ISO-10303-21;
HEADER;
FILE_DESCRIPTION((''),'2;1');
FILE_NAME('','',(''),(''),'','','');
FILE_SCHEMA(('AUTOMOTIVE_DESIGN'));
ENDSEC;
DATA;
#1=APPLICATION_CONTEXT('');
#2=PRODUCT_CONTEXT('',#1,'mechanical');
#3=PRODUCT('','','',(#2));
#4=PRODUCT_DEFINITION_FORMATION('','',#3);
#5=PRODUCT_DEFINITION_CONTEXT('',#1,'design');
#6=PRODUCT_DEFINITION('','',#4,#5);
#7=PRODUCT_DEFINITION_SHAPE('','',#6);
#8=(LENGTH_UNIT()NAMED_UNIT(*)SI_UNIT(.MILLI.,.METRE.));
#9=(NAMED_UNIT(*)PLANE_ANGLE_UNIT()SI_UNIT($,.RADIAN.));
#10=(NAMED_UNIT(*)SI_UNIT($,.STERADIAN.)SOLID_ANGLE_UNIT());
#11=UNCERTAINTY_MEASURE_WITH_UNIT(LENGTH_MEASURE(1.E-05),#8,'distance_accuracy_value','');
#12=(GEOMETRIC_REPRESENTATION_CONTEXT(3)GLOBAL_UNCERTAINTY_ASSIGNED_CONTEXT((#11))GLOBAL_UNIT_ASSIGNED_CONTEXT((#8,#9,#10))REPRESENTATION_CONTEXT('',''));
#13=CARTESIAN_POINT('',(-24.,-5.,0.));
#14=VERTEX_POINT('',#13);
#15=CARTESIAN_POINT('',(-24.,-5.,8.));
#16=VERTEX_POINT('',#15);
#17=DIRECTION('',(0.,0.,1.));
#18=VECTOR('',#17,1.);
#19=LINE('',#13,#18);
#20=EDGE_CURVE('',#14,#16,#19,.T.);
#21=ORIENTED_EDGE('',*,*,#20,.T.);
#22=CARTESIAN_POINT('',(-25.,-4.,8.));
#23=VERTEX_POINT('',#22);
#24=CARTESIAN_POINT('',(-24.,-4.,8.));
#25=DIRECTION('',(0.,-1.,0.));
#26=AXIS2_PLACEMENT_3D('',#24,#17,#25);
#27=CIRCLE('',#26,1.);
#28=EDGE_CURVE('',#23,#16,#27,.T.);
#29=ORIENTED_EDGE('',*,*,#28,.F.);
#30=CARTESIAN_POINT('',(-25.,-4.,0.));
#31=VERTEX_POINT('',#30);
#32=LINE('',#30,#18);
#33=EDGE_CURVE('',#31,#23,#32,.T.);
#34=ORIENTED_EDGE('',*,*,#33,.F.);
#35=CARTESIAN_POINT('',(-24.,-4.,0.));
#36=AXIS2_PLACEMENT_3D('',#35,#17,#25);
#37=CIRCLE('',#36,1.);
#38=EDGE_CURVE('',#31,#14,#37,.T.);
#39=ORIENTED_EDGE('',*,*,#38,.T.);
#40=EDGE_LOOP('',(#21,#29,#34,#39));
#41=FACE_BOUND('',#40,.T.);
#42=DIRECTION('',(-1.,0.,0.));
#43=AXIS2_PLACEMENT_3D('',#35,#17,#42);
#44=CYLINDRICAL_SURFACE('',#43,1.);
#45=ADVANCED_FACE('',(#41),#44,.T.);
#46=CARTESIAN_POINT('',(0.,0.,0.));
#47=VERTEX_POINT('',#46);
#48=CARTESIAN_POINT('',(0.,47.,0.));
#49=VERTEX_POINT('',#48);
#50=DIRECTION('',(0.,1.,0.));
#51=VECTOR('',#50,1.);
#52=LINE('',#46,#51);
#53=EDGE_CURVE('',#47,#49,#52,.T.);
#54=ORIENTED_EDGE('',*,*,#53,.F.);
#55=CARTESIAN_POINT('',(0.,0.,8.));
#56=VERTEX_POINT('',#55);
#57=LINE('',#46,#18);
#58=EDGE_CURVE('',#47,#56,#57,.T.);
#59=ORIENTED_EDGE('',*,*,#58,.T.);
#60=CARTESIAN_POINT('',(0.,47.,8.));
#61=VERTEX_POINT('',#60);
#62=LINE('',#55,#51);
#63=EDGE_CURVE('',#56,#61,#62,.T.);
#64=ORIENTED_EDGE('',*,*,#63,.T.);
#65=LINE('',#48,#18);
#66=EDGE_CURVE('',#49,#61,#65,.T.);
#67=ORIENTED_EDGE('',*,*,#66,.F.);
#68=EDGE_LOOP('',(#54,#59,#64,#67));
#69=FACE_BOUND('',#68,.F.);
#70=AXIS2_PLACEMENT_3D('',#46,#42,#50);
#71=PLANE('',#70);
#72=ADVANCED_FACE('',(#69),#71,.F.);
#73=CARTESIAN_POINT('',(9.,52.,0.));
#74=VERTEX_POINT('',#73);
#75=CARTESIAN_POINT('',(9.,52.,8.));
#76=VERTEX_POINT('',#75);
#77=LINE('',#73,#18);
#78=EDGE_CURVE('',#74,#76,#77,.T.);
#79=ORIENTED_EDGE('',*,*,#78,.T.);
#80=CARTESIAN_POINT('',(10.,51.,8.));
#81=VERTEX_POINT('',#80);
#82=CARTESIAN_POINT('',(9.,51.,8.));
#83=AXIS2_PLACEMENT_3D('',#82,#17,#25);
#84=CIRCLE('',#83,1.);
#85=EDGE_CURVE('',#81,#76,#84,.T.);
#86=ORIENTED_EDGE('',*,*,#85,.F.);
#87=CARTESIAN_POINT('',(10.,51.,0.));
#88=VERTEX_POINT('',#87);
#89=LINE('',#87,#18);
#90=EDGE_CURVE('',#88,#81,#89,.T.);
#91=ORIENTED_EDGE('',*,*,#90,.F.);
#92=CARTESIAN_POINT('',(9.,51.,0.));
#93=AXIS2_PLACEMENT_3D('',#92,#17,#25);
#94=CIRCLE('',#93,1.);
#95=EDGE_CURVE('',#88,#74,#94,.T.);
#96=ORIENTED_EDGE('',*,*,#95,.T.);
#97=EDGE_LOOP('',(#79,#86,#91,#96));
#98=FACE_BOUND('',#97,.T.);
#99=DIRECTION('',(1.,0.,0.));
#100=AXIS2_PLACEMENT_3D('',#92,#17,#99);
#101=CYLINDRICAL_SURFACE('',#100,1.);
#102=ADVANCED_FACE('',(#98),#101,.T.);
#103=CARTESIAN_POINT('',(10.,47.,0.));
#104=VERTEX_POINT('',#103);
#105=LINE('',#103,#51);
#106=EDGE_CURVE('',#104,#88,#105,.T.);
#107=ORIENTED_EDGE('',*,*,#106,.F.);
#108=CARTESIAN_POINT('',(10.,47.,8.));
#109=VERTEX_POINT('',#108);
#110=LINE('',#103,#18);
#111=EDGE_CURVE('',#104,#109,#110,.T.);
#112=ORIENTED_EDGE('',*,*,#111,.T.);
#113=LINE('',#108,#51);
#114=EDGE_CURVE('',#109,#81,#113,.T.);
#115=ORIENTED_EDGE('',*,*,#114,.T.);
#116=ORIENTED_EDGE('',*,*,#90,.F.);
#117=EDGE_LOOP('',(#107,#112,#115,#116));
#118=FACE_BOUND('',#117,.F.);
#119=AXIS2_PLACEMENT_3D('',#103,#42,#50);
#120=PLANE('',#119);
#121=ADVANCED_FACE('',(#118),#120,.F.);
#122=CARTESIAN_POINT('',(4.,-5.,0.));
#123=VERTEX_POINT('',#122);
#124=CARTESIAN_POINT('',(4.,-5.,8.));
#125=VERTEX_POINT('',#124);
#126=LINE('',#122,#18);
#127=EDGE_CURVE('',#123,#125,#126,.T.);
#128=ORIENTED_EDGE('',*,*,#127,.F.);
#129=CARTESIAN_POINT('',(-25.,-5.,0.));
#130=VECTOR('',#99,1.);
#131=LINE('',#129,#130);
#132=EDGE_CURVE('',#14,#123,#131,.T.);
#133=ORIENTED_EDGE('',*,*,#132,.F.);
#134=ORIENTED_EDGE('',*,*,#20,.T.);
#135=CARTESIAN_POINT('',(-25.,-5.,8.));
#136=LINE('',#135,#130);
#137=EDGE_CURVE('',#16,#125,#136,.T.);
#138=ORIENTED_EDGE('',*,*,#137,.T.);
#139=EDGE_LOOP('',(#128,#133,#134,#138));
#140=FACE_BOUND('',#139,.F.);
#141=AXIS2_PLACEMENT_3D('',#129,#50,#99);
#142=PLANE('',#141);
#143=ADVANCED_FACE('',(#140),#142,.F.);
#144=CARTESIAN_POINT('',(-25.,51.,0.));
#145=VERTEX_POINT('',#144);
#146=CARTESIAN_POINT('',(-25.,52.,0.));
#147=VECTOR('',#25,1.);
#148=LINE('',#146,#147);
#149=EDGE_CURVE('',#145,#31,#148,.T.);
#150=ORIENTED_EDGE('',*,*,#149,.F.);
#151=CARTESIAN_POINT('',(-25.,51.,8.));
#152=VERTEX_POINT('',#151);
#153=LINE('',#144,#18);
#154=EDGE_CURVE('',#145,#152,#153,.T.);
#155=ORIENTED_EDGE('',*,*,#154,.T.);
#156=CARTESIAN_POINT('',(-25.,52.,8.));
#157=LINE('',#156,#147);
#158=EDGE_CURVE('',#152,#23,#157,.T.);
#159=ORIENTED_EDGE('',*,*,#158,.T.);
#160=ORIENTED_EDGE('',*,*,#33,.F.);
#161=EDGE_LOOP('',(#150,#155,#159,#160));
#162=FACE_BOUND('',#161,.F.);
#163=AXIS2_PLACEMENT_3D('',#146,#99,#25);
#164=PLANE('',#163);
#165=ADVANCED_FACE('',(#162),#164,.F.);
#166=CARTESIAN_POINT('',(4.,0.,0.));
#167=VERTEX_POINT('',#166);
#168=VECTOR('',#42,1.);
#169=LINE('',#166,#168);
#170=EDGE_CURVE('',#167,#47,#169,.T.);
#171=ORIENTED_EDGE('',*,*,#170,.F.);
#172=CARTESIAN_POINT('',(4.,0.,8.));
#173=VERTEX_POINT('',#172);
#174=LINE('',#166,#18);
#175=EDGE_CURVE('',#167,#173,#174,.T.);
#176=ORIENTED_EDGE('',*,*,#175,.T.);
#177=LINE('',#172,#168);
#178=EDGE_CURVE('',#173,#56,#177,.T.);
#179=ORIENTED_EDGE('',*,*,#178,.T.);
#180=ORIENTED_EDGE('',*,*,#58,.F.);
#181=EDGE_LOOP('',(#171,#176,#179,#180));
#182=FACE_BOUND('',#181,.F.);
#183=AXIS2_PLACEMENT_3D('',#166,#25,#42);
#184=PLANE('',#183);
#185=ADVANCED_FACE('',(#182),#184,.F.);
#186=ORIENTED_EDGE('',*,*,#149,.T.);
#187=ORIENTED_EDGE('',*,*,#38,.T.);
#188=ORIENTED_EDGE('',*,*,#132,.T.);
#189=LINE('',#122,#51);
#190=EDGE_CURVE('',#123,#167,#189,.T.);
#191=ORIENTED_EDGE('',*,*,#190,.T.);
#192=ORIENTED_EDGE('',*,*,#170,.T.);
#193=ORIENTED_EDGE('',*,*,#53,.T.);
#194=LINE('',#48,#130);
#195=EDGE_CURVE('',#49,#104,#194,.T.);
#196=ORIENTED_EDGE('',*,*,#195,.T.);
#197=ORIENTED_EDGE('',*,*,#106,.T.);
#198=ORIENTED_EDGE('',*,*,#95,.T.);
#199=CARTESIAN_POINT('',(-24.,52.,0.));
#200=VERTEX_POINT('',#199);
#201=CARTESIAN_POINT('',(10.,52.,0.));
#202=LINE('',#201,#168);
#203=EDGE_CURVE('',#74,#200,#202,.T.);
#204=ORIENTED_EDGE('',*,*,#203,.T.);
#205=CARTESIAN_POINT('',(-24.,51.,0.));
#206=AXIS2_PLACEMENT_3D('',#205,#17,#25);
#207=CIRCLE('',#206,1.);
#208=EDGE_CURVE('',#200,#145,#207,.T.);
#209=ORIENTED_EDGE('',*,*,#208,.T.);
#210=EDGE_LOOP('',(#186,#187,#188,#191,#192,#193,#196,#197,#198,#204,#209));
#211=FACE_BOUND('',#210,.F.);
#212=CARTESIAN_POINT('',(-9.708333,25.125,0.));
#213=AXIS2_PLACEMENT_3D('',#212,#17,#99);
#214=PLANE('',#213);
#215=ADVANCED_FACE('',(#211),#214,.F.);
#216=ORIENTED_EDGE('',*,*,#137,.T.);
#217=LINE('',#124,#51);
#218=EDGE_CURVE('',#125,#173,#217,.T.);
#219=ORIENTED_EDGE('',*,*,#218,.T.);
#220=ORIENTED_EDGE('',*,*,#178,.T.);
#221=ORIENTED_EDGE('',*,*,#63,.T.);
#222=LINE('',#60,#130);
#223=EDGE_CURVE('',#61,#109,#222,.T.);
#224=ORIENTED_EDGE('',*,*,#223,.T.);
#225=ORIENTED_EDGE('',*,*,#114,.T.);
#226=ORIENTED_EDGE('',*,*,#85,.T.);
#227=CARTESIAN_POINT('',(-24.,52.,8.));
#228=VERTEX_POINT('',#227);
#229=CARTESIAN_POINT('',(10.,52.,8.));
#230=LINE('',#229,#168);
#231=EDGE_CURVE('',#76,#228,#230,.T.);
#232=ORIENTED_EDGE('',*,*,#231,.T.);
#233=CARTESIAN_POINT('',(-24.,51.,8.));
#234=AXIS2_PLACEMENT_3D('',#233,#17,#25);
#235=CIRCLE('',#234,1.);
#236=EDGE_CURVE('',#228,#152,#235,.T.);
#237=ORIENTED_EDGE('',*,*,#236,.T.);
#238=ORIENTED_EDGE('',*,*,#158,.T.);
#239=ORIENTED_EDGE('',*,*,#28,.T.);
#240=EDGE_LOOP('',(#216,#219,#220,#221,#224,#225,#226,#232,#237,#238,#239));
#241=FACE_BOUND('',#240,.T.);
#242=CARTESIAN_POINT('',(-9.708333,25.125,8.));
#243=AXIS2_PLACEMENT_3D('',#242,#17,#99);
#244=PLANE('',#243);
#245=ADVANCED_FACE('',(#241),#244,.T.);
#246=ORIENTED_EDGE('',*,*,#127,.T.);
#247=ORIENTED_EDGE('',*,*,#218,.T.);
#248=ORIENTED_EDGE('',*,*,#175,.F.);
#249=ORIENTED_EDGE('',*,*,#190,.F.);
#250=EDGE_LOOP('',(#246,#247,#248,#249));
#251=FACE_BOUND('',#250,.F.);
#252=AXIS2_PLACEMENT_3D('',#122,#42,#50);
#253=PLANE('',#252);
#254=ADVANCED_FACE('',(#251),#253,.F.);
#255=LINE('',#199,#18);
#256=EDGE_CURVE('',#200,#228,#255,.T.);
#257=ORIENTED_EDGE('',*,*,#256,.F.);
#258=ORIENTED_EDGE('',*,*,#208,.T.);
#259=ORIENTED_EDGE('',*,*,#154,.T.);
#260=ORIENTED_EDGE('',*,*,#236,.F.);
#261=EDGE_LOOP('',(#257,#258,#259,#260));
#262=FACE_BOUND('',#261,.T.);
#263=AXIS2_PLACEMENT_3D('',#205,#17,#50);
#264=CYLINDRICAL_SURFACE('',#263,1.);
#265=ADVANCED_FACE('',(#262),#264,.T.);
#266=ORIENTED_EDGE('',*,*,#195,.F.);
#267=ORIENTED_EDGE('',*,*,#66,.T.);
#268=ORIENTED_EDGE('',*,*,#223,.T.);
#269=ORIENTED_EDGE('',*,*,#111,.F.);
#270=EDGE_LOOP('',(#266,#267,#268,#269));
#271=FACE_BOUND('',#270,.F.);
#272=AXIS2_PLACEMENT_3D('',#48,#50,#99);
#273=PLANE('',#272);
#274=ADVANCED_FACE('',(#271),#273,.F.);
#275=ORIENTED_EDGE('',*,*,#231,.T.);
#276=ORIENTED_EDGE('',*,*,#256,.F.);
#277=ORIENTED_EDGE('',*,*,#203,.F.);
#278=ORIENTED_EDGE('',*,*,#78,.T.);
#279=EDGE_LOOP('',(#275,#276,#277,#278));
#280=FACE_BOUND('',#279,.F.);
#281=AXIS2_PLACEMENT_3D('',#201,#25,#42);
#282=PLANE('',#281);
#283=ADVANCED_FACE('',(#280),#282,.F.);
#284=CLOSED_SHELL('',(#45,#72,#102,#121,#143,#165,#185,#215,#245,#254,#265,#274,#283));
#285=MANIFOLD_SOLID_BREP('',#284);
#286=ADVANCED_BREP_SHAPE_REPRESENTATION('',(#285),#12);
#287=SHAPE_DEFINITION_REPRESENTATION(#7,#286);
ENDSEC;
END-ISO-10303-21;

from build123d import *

# Parameters (mm, degrees)
PAD_DEPTH = 8
FILLET_R  = 1


with BuildPart() as part:
    # Sketch → Pad (new body)
    with BuildSketch(Plane.XY):
        Polygon((0, 0), (0, 47), (10, 47), (10, 52), (-25, 52), (-25, -5), (4, -5), (4, 0), align=None)
    extrude(amount=PAD_DEPTH)

    # Fillet
    fillet_edges = [part.edges().sort_by_distance(p)[0] for p in [
        (-25, 52, 4),
        (-25, -5, 4),
        (10, 52, 4),
    ]]
    fillet(fillet_edges, radius=FILLET_R)


solid = part.part
